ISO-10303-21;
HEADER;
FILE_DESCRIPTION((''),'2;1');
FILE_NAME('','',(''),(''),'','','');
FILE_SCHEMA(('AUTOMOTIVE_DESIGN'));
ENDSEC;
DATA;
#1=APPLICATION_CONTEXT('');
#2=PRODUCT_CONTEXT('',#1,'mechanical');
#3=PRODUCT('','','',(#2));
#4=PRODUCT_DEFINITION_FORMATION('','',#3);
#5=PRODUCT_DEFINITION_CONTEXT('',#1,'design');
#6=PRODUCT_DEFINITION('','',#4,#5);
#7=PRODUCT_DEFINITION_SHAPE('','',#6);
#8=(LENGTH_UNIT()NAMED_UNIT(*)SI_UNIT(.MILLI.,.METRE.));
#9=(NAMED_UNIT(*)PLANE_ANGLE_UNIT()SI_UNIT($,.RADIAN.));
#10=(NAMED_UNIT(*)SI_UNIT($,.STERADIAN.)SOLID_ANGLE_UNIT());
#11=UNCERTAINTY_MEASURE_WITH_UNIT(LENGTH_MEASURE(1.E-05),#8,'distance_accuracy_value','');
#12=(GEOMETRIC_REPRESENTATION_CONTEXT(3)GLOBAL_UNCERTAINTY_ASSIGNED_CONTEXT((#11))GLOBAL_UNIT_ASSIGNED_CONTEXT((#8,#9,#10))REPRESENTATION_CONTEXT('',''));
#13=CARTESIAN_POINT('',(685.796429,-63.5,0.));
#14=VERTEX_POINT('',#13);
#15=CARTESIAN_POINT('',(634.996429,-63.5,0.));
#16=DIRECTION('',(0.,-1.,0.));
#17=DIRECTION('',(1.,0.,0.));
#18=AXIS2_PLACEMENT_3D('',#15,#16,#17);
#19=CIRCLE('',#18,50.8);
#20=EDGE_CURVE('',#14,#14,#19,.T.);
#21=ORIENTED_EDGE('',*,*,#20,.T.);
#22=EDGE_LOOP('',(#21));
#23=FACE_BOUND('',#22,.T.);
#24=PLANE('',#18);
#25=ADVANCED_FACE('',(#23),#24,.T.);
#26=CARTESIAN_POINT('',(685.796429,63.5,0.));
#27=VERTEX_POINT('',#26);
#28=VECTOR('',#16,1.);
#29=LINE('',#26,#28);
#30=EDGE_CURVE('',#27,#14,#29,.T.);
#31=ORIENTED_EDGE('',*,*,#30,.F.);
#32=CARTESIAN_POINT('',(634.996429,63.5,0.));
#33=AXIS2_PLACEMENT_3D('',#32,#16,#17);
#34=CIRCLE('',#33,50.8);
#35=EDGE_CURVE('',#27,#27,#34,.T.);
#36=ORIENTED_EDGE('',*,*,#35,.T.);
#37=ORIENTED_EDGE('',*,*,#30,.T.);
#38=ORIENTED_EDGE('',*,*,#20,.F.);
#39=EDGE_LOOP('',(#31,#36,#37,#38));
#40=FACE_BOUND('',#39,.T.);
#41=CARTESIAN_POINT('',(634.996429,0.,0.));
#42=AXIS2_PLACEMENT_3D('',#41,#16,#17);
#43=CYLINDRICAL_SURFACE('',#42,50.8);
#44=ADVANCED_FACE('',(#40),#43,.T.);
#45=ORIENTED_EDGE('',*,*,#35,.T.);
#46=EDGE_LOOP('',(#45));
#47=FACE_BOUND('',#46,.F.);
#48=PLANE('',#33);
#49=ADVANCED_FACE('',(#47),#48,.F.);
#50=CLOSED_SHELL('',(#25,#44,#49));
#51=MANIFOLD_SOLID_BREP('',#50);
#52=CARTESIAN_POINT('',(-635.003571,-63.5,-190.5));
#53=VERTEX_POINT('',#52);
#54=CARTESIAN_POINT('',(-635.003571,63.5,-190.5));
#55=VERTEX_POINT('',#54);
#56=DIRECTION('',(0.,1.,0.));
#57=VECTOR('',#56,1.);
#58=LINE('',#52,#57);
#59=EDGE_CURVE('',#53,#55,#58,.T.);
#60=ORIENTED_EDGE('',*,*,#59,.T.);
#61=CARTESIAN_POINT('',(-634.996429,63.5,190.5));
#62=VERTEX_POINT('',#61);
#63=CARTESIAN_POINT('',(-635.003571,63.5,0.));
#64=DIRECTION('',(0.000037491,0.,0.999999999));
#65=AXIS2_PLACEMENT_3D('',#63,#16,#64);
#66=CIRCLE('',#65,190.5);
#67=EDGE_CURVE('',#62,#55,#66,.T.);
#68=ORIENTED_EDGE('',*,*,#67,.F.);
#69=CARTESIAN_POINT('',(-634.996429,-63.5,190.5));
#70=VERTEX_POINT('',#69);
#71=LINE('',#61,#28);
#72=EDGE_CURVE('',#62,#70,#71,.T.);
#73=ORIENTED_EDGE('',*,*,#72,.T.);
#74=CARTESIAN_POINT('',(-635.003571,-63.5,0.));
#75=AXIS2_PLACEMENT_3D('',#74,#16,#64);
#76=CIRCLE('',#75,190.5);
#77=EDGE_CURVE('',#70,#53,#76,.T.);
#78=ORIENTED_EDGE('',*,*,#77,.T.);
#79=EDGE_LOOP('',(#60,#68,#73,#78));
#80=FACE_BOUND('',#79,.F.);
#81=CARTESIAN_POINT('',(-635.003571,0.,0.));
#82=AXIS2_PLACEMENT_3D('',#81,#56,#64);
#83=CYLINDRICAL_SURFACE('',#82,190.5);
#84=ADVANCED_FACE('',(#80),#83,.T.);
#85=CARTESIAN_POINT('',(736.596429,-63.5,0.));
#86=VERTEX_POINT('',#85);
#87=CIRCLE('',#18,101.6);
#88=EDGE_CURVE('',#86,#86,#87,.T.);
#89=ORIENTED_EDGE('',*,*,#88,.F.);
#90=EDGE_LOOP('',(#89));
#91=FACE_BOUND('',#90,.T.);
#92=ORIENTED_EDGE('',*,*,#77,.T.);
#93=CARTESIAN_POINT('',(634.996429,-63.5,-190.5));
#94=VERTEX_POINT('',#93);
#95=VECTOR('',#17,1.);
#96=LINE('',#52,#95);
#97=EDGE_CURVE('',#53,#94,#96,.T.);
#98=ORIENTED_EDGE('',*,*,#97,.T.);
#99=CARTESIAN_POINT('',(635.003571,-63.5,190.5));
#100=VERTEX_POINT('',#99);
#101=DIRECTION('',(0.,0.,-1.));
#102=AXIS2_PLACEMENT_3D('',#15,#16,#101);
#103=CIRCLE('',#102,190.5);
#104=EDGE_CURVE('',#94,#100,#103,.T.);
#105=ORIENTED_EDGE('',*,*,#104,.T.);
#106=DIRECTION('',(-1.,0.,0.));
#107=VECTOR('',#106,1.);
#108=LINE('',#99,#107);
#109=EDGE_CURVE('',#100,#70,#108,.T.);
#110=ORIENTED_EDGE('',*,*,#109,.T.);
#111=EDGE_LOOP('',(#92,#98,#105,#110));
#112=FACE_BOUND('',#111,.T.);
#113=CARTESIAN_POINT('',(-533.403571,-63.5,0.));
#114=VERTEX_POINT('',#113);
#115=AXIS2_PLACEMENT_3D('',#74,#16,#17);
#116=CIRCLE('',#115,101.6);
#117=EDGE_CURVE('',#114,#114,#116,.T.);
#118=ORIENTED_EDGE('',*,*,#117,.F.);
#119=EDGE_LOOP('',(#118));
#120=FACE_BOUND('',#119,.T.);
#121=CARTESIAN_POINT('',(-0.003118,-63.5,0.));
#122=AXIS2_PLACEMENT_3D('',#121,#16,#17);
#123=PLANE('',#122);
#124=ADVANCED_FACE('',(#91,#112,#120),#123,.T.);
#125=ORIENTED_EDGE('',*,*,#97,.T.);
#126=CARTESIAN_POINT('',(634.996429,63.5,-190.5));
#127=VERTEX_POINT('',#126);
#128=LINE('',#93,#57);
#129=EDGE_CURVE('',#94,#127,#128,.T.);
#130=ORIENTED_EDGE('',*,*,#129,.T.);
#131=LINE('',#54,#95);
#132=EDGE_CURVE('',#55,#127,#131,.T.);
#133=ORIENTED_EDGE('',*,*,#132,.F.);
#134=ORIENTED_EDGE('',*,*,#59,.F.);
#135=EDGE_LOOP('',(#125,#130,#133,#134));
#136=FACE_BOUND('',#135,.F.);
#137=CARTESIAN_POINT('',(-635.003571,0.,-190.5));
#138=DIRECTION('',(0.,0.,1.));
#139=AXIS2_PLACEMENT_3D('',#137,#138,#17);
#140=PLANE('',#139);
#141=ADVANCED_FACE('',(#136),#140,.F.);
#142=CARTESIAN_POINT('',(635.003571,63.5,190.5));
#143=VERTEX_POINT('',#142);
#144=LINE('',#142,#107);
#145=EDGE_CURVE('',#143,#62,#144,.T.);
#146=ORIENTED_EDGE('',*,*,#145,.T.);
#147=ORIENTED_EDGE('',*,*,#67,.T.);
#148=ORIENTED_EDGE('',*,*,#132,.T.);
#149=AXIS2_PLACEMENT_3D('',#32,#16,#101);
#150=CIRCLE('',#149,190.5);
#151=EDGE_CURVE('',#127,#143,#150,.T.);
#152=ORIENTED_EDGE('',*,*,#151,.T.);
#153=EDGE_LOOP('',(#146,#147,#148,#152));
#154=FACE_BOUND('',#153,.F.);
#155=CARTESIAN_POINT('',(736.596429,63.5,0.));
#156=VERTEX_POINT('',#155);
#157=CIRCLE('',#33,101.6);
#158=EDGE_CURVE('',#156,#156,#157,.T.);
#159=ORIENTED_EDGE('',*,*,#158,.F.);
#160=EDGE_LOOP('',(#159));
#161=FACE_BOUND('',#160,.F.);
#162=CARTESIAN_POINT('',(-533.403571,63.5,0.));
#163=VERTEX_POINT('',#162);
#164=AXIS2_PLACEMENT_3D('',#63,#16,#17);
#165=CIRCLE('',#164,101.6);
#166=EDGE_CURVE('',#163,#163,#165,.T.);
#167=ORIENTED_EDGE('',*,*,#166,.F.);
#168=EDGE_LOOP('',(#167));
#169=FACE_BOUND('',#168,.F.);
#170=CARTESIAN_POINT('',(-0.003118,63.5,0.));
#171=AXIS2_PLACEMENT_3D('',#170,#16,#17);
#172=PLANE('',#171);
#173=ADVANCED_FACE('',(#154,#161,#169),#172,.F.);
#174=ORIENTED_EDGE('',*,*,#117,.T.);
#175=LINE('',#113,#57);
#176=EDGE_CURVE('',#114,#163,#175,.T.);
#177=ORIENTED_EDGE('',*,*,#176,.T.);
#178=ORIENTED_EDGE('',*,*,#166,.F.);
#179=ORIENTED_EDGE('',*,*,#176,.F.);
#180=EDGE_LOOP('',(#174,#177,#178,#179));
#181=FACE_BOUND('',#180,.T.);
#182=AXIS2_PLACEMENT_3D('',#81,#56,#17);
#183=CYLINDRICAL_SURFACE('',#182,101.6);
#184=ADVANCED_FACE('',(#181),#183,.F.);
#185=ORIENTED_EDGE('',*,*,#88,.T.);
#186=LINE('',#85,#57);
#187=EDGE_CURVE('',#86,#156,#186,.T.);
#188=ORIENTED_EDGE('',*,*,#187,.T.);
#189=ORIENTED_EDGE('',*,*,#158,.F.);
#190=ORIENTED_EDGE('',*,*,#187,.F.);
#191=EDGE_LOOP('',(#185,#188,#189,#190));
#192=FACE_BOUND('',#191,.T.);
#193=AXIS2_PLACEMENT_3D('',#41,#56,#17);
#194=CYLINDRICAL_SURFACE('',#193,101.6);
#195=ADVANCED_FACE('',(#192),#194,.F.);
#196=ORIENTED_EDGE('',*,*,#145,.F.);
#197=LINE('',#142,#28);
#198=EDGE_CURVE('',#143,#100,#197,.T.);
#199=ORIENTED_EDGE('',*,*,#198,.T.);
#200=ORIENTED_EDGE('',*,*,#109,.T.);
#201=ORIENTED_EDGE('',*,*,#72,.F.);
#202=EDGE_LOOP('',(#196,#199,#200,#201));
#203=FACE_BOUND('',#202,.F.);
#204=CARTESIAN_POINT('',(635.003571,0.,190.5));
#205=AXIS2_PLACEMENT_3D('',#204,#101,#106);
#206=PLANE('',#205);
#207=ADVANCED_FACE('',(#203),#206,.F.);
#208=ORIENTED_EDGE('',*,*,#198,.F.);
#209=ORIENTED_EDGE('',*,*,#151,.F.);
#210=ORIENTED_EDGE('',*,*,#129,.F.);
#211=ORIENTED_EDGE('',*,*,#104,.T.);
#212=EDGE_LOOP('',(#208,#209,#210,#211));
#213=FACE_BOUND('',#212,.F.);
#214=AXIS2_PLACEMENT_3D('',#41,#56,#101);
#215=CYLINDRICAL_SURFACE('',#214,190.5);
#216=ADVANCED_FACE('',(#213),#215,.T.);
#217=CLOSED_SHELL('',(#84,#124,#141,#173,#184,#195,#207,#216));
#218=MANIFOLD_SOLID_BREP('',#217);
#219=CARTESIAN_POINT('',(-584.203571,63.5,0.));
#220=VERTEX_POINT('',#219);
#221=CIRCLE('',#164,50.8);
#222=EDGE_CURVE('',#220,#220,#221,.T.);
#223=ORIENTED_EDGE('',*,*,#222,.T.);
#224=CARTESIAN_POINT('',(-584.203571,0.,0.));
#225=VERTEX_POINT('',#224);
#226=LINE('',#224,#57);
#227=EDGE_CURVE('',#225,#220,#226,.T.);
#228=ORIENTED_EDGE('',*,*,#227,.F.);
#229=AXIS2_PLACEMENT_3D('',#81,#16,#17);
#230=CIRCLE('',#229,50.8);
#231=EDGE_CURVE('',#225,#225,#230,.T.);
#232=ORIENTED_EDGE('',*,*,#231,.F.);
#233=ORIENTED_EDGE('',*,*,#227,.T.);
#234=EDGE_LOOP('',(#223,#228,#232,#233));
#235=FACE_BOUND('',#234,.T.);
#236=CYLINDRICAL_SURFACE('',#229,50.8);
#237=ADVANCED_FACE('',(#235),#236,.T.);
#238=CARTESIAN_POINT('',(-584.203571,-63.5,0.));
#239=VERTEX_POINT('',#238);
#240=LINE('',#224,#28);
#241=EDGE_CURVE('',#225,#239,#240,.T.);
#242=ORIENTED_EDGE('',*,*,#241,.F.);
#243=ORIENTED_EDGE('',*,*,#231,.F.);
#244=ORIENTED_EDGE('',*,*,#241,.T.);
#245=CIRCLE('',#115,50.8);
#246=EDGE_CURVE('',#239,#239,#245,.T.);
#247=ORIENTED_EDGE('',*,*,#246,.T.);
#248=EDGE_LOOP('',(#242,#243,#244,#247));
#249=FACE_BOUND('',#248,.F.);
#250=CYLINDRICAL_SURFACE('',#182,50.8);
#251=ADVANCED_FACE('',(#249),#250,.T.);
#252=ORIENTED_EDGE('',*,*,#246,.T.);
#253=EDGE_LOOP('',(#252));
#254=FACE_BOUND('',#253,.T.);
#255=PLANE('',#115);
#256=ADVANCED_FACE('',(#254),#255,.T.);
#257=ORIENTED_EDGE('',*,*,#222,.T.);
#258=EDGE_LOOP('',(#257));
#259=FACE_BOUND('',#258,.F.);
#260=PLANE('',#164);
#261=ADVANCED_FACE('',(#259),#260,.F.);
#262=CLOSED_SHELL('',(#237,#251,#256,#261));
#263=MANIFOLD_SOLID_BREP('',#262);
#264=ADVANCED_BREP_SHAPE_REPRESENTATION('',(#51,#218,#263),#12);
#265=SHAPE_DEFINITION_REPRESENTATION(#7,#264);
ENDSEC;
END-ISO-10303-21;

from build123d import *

# Parameters (mm, degrees)
F0_R     = 101.6
F0_R_2   = 50.8
F1_DEPTH = 63.5


with BuildPart() as f1:
    # F0 (on Front) → F1 (new body, symmetric)
    with BuildSketch(Plane.XZ):
        with BuildLine():
            ThreePointArc((634.996429, -190.5), (825.496429, -0.003571), (635.003571, 190.5))
            Line((635.003571, 190.5), (-634.996429, 190.5))
            ThreePointArc((-634.996429, 190.5), (-825.503571, 0.003571), (-635.003571, -190.5))
            Line((-635.003571, -190.5), (634.996429, -190.5))
        make_face()
        with Locations((634.996429, 0)):
            Circle(F0_R, mode=Mode.SUBTRACT)
        with Locations((-635.003571, 0)):
            Circle(F0_R, mode=Mode.SUBTRACT)
        with Locations((-635.003571, 0)):
            Circle(F0_R_2)
        with Locations((634.996429, 0)):
            Circle(F0_R_2)
    extrude(amount=F1_DEPTH, both=True)


solid = f1.part
